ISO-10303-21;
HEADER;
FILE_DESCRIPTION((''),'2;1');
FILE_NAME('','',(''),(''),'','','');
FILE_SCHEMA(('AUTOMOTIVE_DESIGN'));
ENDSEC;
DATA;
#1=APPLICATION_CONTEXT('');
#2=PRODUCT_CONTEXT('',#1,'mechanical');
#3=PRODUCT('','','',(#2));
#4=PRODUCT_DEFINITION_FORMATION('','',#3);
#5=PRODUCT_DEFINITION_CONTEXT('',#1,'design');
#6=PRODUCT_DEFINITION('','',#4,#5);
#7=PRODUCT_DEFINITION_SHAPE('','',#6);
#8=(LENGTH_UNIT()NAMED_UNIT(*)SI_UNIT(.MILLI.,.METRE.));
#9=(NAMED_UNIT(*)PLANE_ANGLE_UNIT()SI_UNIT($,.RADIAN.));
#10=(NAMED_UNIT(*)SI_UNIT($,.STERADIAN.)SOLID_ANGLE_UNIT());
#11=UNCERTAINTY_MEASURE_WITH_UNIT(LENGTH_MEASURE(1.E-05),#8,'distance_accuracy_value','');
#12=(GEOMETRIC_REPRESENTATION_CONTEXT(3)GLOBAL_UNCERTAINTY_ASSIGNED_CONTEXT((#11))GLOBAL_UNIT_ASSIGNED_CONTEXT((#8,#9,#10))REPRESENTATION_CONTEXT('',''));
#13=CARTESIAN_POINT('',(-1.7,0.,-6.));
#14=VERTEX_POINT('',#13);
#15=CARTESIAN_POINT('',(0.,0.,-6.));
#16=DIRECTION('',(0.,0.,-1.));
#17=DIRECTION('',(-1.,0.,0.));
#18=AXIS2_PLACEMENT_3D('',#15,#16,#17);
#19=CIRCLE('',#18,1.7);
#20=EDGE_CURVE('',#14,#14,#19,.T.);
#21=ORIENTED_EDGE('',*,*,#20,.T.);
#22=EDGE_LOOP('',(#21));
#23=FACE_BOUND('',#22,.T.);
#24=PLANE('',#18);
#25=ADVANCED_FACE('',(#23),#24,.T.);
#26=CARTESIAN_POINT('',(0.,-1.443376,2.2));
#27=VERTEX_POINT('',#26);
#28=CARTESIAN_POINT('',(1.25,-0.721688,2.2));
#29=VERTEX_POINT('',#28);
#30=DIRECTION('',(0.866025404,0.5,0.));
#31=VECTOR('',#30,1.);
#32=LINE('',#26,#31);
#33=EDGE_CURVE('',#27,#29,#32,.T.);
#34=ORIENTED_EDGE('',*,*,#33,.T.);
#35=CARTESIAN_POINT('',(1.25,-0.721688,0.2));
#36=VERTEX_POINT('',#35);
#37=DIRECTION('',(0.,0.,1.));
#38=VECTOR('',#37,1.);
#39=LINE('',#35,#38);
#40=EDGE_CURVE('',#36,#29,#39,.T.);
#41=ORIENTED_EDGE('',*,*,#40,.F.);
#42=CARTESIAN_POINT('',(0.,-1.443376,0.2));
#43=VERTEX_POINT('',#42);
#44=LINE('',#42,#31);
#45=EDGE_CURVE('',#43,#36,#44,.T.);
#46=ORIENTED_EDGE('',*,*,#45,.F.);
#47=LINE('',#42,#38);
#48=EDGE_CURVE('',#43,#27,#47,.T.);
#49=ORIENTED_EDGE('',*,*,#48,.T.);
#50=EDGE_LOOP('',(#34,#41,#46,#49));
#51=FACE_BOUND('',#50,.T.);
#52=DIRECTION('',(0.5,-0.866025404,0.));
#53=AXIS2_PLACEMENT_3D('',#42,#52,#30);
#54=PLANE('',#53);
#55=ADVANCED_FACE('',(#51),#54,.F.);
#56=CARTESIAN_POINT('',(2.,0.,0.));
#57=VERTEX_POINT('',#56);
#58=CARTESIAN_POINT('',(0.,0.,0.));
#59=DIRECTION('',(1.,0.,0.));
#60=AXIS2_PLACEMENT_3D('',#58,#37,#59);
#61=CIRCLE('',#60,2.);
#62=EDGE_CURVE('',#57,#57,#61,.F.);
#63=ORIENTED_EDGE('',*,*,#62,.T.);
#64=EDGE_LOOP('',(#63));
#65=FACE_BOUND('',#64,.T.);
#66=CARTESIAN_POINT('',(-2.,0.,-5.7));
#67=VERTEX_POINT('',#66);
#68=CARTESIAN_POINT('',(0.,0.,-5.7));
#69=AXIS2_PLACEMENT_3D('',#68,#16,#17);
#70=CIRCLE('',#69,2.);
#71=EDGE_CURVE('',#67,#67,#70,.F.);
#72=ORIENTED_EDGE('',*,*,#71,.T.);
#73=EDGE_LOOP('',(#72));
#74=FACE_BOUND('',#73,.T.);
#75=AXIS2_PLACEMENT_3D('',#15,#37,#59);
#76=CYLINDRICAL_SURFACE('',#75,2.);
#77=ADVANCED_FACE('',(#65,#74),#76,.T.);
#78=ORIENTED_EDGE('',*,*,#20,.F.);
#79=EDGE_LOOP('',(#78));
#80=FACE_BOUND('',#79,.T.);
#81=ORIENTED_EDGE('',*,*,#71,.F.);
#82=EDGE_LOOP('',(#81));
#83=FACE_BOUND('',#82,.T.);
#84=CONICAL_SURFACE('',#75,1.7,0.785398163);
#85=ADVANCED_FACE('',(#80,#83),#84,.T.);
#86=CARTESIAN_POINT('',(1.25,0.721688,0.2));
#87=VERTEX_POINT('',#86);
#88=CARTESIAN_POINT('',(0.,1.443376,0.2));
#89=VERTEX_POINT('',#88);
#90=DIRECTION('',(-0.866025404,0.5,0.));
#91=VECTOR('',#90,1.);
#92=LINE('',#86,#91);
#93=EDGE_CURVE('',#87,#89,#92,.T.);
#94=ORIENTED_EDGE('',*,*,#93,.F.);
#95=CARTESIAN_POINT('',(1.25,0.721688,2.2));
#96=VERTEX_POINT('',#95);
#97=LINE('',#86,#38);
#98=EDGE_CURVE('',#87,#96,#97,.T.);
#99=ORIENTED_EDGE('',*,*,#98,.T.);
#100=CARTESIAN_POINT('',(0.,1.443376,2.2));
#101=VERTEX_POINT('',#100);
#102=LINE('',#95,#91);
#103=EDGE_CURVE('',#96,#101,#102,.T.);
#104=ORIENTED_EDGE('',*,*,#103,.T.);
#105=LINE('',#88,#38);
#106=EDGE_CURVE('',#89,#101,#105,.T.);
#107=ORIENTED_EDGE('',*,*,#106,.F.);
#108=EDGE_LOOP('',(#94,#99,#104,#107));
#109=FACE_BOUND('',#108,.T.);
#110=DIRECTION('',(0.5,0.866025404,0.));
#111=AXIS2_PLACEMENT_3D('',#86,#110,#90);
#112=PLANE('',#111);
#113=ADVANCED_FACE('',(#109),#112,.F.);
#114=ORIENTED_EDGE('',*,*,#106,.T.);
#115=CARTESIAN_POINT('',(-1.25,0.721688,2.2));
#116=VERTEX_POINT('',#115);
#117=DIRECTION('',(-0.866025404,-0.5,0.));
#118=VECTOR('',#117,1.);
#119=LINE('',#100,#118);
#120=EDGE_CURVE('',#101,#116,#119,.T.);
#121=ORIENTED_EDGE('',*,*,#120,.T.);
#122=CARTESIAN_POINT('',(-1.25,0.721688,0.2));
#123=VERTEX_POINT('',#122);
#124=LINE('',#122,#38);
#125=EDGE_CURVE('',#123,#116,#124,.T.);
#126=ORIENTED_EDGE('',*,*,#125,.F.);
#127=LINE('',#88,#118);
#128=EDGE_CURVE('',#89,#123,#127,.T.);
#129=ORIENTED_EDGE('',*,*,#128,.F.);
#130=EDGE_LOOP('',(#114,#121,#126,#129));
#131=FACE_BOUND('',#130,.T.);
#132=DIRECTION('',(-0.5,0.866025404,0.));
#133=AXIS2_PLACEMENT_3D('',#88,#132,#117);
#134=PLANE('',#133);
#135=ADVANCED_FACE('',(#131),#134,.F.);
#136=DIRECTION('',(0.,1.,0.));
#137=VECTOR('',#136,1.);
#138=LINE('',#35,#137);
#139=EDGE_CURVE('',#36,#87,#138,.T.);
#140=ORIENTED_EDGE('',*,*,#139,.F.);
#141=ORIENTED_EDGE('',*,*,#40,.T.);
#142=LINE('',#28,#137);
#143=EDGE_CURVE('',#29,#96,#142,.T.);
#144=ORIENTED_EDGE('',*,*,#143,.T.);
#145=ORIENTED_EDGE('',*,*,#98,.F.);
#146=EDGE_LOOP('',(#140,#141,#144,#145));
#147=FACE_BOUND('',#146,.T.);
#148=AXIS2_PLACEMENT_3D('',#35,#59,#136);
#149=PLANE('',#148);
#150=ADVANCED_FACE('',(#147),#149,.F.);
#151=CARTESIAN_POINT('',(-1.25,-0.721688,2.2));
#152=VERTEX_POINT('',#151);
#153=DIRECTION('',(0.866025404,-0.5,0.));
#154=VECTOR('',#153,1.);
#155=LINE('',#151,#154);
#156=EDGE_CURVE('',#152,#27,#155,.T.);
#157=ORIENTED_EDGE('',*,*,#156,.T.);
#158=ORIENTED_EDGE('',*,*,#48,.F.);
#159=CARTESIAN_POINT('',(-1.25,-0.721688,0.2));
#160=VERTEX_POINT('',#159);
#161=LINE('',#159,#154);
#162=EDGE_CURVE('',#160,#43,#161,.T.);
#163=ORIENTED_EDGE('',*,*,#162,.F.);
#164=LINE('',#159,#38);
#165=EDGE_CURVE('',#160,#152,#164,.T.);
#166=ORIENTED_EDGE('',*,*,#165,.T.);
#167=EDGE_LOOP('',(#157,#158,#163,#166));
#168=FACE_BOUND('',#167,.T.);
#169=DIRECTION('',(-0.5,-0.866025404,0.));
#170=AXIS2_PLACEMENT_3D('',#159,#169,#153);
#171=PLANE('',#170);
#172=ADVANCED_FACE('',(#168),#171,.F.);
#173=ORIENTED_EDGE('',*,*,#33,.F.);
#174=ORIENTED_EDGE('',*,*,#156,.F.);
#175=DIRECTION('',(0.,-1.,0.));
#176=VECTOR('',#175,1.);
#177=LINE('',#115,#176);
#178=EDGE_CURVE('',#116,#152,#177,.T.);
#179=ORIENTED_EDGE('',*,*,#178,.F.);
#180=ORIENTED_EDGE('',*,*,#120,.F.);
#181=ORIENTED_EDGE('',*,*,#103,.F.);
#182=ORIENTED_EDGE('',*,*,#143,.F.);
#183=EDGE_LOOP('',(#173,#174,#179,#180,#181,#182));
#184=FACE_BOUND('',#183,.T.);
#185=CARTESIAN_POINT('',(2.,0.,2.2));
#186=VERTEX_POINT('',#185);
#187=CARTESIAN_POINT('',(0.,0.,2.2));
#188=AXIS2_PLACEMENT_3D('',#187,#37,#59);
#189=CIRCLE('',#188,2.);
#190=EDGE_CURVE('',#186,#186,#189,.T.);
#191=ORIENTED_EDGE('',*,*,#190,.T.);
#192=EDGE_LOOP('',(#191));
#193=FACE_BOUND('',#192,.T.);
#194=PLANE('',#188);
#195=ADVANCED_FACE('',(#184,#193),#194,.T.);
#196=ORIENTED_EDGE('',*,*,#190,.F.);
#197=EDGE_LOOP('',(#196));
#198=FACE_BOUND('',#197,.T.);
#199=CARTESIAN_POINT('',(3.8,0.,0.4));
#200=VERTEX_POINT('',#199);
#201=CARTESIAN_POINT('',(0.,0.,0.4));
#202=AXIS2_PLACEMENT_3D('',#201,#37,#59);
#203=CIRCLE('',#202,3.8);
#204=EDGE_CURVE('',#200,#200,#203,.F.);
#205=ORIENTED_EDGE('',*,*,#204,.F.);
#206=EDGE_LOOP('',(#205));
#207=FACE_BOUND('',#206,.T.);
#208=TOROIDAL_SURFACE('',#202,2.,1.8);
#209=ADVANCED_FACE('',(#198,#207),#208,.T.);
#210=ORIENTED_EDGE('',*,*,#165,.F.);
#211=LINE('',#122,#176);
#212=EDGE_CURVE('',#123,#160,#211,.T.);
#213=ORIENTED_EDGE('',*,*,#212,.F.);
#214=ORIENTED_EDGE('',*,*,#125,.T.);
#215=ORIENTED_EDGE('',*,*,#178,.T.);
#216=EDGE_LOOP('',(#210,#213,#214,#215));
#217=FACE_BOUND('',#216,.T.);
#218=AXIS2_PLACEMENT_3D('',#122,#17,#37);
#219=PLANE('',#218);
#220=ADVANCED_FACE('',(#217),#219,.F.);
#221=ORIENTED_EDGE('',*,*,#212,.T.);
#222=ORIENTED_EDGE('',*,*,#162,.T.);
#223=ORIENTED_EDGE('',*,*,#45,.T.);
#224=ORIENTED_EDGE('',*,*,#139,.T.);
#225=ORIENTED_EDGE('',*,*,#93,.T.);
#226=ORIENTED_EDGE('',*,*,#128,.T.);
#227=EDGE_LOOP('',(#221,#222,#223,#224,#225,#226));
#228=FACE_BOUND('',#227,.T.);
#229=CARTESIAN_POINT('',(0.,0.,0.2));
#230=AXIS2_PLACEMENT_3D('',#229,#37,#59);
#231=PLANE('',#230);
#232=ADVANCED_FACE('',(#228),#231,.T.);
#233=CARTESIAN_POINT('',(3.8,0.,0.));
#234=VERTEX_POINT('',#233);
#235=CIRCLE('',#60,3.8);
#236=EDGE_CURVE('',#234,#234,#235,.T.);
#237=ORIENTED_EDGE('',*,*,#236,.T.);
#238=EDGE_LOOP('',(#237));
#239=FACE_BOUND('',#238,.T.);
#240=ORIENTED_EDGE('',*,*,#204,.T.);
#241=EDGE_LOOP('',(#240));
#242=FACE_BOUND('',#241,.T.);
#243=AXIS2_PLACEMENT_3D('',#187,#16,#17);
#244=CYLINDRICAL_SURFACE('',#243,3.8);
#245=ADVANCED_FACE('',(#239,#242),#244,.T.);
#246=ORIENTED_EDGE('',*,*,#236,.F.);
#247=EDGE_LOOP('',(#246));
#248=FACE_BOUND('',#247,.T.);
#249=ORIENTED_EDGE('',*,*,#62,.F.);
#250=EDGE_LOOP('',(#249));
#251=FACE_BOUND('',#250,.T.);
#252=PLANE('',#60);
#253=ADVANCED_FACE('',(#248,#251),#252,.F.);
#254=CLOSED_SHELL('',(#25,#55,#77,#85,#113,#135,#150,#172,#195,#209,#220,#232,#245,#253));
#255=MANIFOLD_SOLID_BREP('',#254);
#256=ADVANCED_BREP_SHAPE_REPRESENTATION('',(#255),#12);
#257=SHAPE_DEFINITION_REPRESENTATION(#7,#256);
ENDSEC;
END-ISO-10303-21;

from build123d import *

# Parameters (mm, degrees)
SKETCH1_R           = 3.8
BOSS_EXTRUDE1_DEPTH = 2.2
SKETCH2_R           = 2
BOSS_EXTRUDE2_DEPTH = 6
CHAMFER1_SIZE       = 0.3
CUT_EXTRUDE1_DEPTH  = 2
FILLET1_R           = 1.8


with BuildPart() as part:
    # Sketch1 → Boss-Extrude1 (new body)
    with BuildSketch(Plane.XY):
        Circle(SKETCH1_R)
    extrude(amount=BOSS_EXTRUDE1_DEPTH)

    # Sketch2 → Boss-Extrude2 (add)
    with BuildSketch(Plane(origin=(0, 0, 0), x_dir=(-1, 0, 0), z_dir=(0, 0, -1))):
        Circle(SKETCH2_R)
    extrude(amount=BOSS_EXTRUDE2_DEPTH)

    # Chamfer1
    chamfer1_edges = [part.edges().sort_by_distance(p)[0] for p in [
        (2, 0, -6),
    ]]
    chamfer(chamfer1_edges, length=CHAMFER1_SIZE)

    # Sketch3 → Cut-Extrude1 (cut)
    with BuildSketch(Plane.XY.offset(2.2)):
        Polygon((0, 1.443375673), (-1.25, 0.721687836), (-1.25, -0.721687836), (0, -1.443375673), (1.25, -0.721687836), (1.25, 0.721687836), align=None)
    extrude(amount=-CUT_EXTRUDE1_DEPTH, mode=Mode.SUBTRACT)

    # Fillet1
    fillet1_edges = [part.edges().sort_by_distance(p)[0] for p in [
        (-3.8, 0, 2.2),
    ]]
    fillet(fillet1_edges, radius=FILLET1_R)


solid = part.part
